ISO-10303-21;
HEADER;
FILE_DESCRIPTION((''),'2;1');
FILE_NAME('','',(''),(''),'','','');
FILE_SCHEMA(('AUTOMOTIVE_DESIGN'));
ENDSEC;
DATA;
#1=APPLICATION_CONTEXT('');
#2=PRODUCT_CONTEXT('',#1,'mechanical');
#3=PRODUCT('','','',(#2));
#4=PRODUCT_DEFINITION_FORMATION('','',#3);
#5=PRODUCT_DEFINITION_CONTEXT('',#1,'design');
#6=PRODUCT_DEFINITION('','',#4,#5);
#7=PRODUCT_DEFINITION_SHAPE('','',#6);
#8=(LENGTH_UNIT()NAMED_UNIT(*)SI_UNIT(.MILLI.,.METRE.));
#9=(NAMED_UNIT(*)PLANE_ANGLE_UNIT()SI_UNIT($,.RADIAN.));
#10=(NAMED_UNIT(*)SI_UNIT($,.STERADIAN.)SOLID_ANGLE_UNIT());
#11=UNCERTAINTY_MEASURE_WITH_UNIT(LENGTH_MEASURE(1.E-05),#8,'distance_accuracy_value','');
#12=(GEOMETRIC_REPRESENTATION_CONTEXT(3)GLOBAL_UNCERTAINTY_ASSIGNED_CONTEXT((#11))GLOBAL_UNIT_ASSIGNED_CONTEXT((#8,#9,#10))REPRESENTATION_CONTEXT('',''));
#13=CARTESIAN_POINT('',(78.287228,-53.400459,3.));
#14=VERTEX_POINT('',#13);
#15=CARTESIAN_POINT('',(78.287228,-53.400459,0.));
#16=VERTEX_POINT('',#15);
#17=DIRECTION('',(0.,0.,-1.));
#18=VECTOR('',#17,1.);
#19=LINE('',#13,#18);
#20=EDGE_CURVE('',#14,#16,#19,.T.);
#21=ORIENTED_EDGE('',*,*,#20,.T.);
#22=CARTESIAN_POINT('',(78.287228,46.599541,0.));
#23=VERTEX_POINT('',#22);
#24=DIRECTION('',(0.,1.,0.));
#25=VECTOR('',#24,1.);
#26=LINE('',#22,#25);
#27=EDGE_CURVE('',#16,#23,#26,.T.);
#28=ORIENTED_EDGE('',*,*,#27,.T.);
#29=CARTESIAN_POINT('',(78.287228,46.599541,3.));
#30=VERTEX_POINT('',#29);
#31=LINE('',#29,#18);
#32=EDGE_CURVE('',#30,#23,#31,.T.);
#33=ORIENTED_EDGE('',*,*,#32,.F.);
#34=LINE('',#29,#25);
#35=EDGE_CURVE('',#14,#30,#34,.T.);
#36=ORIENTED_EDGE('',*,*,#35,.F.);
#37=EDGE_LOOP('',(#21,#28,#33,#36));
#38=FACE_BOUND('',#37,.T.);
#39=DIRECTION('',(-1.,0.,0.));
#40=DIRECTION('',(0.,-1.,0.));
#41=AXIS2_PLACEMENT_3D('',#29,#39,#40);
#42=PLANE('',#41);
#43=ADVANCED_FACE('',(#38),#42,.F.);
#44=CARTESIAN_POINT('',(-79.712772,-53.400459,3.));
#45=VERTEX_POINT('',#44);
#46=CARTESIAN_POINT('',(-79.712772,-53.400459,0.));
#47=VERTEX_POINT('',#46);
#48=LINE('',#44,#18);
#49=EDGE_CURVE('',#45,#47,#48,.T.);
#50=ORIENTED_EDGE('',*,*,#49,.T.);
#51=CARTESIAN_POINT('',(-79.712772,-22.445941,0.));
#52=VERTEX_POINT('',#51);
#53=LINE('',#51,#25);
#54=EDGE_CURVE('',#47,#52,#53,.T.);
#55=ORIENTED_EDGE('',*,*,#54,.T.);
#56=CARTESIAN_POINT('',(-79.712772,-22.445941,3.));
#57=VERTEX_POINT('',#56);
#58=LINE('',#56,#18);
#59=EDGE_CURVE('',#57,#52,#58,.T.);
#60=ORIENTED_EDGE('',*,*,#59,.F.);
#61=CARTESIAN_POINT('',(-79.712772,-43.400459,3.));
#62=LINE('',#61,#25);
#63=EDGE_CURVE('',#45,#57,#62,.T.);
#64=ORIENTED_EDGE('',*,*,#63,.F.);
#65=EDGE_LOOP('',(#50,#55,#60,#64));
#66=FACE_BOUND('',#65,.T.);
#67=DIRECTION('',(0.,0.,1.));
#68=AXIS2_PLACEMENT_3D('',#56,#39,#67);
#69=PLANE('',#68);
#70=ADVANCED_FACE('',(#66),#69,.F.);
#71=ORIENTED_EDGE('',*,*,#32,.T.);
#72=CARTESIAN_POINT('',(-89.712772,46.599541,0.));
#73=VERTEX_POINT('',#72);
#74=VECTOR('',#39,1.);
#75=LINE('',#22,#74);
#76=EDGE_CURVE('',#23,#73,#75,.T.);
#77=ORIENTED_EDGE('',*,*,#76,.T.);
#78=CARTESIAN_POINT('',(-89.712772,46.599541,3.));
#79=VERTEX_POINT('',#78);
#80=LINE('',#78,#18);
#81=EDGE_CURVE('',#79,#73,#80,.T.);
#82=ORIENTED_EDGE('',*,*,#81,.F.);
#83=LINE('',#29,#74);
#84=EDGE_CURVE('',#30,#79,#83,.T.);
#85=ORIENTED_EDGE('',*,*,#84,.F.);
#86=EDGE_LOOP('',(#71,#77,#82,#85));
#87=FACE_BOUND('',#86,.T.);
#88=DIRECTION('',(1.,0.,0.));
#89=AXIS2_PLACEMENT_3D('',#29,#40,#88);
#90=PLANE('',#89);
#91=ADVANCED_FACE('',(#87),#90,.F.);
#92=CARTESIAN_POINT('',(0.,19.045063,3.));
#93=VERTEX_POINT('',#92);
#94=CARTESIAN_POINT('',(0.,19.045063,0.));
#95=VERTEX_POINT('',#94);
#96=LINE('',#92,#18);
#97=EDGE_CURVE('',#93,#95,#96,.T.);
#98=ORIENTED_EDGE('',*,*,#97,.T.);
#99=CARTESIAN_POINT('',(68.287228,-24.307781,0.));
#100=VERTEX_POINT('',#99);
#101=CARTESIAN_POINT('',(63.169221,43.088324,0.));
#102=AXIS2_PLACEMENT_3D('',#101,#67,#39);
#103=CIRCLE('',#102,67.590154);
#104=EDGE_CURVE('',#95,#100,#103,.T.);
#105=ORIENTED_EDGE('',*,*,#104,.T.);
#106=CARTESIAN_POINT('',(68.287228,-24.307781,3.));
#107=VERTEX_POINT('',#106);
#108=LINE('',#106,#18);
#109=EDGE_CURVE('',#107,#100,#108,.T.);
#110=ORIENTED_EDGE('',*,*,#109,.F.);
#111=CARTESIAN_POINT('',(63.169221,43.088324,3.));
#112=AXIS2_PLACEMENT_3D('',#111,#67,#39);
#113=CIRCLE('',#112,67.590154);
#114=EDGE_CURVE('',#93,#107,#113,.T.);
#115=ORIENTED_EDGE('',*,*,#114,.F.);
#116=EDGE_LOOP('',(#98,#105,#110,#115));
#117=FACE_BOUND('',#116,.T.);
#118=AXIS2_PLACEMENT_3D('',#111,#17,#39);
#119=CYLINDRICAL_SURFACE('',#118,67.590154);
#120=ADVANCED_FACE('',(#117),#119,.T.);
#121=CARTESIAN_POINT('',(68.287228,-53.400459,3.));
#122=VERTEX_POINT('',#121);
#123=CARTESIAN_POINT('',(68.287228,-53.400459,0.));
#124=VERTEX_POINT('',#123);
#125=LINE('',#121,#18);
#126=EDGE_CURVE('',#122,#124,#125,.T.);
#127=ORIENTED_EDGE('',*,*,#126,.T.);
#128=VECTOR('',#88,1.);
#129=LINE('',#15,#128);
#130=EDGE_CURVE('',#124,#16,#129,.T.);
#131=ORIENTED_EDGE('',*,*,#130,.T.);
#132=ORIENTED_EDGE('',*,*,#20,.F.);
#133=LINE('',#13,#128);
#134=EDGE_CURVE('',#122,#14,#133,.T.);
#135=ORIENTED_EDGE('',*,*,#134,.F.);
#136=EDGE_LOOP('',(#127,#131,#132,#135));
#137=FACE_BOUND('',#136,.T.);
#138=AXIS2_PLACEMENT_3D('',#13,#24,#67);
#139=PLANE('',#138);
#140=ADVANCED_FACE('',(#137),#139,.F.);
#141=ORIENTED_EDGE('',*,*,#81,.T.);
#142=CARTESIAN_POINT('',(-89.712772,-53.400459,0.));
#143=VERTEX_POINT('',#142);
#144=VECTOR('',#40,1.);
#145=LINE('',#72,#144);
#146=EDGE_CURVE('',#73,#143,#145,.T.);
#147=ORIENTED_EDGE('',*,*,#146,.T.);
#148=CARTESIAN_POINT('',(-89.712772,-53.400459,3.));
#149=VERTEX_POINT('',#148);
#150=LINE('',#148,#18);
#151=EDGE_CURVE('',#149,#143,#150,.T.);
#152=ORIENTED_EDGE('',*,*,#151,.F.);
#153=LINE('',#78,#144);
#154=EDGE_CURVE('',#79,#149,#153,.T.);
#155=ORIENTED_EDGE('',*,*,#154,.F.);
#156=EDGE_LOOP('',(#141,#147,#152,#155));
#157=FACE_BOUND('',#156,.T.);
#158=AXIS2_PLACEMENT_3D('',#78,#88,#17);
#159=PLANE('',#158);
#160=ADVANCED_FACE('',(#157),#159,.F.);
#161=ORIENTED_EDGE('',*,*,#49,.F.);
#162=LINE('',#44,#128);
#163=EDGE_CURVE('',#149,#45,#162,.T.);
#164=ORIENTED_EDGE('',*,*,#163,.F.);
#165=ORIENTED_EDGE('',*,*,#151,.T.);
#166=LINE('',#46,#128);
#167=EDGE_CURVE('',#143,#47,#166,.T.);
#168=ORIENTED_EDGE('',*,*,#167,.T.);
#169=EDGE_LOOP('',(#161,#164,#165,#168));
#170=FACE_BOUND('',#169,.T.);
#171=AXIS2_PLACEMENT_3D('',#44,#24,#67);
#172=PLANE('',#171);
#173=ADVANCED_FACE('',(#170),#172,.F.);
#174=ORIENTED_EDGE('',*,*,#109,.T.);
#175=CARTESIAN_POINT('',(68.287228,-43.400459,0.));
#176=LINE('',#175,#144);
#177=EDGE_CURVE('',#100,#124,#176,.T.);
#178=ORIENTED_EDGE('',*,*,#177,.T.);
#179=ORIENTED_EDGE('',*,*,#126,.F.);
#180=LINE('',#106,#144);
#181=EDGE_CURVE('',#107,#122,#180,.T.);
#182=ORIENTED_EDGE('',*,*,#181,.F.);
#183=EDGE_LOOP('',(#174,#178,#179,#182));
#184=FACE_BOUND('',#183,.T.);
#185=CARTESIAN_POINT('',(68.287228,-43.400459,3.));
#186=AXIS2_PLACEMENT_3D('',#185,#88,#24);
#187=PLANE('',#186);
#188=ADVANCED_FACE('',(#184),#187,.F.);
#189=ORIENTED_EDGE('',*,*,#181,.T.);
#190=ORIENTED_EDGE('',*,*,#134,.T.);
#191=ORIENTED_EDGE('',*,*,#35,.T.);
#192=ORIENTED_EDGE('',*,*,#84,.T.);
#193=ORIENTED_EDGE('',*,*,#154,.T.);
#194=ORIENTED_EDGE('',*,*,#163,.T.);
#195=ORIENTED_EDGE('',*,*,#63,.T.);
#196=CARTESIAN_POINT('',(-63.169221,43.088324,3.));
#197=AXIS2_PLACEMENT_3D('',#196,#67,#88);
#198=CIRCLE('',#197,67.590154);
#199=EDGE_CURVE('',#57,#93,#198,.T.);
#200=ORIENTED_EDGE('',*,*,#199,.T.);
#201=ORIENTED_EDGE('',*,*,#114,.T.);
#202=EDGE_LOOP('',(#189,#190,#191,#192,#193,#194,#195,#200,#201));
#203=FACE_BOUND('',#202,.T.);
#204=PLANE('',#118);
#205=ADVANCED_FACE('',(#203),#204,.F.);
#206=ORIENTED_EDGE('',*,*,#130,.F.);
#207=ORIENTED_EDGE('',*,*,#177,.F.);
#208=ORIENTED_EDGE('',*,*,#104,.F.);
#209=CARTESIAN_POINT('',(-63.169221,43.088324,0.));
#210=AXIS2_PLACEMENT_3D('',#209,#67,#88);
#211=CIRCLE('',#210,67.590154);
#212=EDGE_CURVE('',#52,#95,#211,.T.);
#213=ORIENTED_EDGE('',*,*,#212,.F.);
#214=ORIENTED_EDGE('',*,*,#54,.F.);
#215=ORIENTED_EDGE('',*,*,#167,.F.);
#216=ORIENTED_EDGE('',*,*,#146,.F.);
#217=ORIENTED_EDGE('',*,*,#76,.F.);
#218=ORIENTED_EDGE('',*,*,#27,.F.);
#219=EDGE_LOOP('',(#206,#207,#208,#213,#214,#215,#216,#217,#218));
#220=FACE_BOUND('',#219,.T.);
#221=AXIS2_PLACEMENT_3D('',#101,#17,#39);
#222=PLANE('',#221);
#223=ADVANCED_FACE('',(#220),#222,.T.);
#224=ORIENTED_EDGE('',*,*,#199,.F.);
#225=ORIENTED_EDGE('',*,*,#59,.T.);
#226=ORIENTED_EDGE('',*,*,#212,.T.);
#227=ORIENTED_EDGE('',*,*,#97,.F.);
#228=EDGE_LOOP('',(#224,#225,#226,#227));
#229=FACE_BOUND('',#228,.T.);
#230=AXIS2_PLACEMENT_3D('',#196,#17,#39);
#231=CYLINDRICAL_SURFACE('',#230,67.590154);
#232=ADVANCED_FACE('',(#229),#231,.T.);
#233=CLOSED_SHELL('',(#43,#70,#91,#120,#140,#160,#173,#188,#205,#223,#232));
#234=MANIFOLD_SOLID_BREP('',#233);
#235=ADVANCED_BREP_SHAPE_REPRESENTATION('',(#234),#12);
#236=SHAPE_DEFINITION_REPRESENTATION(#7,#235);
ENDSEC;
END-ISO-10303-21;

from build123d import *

# Parameters (mm, degrees)
SALIENTE_EXTRUIR1_DEPTH = 3


with BuildPart() as part:
    # Croquis1 → Saliente-Extruir1 (new body)
    with BuildSketch(Plane.XY):
        with BuildLine():
            Line((68.287228231, -24.307780687), (68.287228231, -43.400459387))
            Line((68.287228231, -43.400459387), (68.287228231, -53.400459387))
            Line((68.287228231, -53.400459387), (78.287228231, -53.400459387))
            Line((78.287228231, -53.400459387), (78.287228231, 46.599540613))
            Line((78.287228231, 46.599540613), (-89.712771769, 46.599540613))
            Line((-89.712771769, 46.599540613), (-89.712771769, -53.400459387))
            Line((-89.712771769, -53.400459387), (-79.712771769, -53.400459387))
            Line((-79.712771769, -53.400459387), (-79.712771769, -43.400459387))
            Line((-79.712771769, -43.400459387), (-79.712771769, -22.445940721))
            ThreePointArc((-79.712771769, -22.445940721), (-31.962424833, -16.866365463), (0, 19.045062959))
            ThreePointArc((0, 19.045062959), (26.942806363, -13.973710623), (68.287228231, -24.307780687))
        make_face()
    extrude(amount=SALIENTE_EXTRUIR1_DEPTH)


solid = part.part
